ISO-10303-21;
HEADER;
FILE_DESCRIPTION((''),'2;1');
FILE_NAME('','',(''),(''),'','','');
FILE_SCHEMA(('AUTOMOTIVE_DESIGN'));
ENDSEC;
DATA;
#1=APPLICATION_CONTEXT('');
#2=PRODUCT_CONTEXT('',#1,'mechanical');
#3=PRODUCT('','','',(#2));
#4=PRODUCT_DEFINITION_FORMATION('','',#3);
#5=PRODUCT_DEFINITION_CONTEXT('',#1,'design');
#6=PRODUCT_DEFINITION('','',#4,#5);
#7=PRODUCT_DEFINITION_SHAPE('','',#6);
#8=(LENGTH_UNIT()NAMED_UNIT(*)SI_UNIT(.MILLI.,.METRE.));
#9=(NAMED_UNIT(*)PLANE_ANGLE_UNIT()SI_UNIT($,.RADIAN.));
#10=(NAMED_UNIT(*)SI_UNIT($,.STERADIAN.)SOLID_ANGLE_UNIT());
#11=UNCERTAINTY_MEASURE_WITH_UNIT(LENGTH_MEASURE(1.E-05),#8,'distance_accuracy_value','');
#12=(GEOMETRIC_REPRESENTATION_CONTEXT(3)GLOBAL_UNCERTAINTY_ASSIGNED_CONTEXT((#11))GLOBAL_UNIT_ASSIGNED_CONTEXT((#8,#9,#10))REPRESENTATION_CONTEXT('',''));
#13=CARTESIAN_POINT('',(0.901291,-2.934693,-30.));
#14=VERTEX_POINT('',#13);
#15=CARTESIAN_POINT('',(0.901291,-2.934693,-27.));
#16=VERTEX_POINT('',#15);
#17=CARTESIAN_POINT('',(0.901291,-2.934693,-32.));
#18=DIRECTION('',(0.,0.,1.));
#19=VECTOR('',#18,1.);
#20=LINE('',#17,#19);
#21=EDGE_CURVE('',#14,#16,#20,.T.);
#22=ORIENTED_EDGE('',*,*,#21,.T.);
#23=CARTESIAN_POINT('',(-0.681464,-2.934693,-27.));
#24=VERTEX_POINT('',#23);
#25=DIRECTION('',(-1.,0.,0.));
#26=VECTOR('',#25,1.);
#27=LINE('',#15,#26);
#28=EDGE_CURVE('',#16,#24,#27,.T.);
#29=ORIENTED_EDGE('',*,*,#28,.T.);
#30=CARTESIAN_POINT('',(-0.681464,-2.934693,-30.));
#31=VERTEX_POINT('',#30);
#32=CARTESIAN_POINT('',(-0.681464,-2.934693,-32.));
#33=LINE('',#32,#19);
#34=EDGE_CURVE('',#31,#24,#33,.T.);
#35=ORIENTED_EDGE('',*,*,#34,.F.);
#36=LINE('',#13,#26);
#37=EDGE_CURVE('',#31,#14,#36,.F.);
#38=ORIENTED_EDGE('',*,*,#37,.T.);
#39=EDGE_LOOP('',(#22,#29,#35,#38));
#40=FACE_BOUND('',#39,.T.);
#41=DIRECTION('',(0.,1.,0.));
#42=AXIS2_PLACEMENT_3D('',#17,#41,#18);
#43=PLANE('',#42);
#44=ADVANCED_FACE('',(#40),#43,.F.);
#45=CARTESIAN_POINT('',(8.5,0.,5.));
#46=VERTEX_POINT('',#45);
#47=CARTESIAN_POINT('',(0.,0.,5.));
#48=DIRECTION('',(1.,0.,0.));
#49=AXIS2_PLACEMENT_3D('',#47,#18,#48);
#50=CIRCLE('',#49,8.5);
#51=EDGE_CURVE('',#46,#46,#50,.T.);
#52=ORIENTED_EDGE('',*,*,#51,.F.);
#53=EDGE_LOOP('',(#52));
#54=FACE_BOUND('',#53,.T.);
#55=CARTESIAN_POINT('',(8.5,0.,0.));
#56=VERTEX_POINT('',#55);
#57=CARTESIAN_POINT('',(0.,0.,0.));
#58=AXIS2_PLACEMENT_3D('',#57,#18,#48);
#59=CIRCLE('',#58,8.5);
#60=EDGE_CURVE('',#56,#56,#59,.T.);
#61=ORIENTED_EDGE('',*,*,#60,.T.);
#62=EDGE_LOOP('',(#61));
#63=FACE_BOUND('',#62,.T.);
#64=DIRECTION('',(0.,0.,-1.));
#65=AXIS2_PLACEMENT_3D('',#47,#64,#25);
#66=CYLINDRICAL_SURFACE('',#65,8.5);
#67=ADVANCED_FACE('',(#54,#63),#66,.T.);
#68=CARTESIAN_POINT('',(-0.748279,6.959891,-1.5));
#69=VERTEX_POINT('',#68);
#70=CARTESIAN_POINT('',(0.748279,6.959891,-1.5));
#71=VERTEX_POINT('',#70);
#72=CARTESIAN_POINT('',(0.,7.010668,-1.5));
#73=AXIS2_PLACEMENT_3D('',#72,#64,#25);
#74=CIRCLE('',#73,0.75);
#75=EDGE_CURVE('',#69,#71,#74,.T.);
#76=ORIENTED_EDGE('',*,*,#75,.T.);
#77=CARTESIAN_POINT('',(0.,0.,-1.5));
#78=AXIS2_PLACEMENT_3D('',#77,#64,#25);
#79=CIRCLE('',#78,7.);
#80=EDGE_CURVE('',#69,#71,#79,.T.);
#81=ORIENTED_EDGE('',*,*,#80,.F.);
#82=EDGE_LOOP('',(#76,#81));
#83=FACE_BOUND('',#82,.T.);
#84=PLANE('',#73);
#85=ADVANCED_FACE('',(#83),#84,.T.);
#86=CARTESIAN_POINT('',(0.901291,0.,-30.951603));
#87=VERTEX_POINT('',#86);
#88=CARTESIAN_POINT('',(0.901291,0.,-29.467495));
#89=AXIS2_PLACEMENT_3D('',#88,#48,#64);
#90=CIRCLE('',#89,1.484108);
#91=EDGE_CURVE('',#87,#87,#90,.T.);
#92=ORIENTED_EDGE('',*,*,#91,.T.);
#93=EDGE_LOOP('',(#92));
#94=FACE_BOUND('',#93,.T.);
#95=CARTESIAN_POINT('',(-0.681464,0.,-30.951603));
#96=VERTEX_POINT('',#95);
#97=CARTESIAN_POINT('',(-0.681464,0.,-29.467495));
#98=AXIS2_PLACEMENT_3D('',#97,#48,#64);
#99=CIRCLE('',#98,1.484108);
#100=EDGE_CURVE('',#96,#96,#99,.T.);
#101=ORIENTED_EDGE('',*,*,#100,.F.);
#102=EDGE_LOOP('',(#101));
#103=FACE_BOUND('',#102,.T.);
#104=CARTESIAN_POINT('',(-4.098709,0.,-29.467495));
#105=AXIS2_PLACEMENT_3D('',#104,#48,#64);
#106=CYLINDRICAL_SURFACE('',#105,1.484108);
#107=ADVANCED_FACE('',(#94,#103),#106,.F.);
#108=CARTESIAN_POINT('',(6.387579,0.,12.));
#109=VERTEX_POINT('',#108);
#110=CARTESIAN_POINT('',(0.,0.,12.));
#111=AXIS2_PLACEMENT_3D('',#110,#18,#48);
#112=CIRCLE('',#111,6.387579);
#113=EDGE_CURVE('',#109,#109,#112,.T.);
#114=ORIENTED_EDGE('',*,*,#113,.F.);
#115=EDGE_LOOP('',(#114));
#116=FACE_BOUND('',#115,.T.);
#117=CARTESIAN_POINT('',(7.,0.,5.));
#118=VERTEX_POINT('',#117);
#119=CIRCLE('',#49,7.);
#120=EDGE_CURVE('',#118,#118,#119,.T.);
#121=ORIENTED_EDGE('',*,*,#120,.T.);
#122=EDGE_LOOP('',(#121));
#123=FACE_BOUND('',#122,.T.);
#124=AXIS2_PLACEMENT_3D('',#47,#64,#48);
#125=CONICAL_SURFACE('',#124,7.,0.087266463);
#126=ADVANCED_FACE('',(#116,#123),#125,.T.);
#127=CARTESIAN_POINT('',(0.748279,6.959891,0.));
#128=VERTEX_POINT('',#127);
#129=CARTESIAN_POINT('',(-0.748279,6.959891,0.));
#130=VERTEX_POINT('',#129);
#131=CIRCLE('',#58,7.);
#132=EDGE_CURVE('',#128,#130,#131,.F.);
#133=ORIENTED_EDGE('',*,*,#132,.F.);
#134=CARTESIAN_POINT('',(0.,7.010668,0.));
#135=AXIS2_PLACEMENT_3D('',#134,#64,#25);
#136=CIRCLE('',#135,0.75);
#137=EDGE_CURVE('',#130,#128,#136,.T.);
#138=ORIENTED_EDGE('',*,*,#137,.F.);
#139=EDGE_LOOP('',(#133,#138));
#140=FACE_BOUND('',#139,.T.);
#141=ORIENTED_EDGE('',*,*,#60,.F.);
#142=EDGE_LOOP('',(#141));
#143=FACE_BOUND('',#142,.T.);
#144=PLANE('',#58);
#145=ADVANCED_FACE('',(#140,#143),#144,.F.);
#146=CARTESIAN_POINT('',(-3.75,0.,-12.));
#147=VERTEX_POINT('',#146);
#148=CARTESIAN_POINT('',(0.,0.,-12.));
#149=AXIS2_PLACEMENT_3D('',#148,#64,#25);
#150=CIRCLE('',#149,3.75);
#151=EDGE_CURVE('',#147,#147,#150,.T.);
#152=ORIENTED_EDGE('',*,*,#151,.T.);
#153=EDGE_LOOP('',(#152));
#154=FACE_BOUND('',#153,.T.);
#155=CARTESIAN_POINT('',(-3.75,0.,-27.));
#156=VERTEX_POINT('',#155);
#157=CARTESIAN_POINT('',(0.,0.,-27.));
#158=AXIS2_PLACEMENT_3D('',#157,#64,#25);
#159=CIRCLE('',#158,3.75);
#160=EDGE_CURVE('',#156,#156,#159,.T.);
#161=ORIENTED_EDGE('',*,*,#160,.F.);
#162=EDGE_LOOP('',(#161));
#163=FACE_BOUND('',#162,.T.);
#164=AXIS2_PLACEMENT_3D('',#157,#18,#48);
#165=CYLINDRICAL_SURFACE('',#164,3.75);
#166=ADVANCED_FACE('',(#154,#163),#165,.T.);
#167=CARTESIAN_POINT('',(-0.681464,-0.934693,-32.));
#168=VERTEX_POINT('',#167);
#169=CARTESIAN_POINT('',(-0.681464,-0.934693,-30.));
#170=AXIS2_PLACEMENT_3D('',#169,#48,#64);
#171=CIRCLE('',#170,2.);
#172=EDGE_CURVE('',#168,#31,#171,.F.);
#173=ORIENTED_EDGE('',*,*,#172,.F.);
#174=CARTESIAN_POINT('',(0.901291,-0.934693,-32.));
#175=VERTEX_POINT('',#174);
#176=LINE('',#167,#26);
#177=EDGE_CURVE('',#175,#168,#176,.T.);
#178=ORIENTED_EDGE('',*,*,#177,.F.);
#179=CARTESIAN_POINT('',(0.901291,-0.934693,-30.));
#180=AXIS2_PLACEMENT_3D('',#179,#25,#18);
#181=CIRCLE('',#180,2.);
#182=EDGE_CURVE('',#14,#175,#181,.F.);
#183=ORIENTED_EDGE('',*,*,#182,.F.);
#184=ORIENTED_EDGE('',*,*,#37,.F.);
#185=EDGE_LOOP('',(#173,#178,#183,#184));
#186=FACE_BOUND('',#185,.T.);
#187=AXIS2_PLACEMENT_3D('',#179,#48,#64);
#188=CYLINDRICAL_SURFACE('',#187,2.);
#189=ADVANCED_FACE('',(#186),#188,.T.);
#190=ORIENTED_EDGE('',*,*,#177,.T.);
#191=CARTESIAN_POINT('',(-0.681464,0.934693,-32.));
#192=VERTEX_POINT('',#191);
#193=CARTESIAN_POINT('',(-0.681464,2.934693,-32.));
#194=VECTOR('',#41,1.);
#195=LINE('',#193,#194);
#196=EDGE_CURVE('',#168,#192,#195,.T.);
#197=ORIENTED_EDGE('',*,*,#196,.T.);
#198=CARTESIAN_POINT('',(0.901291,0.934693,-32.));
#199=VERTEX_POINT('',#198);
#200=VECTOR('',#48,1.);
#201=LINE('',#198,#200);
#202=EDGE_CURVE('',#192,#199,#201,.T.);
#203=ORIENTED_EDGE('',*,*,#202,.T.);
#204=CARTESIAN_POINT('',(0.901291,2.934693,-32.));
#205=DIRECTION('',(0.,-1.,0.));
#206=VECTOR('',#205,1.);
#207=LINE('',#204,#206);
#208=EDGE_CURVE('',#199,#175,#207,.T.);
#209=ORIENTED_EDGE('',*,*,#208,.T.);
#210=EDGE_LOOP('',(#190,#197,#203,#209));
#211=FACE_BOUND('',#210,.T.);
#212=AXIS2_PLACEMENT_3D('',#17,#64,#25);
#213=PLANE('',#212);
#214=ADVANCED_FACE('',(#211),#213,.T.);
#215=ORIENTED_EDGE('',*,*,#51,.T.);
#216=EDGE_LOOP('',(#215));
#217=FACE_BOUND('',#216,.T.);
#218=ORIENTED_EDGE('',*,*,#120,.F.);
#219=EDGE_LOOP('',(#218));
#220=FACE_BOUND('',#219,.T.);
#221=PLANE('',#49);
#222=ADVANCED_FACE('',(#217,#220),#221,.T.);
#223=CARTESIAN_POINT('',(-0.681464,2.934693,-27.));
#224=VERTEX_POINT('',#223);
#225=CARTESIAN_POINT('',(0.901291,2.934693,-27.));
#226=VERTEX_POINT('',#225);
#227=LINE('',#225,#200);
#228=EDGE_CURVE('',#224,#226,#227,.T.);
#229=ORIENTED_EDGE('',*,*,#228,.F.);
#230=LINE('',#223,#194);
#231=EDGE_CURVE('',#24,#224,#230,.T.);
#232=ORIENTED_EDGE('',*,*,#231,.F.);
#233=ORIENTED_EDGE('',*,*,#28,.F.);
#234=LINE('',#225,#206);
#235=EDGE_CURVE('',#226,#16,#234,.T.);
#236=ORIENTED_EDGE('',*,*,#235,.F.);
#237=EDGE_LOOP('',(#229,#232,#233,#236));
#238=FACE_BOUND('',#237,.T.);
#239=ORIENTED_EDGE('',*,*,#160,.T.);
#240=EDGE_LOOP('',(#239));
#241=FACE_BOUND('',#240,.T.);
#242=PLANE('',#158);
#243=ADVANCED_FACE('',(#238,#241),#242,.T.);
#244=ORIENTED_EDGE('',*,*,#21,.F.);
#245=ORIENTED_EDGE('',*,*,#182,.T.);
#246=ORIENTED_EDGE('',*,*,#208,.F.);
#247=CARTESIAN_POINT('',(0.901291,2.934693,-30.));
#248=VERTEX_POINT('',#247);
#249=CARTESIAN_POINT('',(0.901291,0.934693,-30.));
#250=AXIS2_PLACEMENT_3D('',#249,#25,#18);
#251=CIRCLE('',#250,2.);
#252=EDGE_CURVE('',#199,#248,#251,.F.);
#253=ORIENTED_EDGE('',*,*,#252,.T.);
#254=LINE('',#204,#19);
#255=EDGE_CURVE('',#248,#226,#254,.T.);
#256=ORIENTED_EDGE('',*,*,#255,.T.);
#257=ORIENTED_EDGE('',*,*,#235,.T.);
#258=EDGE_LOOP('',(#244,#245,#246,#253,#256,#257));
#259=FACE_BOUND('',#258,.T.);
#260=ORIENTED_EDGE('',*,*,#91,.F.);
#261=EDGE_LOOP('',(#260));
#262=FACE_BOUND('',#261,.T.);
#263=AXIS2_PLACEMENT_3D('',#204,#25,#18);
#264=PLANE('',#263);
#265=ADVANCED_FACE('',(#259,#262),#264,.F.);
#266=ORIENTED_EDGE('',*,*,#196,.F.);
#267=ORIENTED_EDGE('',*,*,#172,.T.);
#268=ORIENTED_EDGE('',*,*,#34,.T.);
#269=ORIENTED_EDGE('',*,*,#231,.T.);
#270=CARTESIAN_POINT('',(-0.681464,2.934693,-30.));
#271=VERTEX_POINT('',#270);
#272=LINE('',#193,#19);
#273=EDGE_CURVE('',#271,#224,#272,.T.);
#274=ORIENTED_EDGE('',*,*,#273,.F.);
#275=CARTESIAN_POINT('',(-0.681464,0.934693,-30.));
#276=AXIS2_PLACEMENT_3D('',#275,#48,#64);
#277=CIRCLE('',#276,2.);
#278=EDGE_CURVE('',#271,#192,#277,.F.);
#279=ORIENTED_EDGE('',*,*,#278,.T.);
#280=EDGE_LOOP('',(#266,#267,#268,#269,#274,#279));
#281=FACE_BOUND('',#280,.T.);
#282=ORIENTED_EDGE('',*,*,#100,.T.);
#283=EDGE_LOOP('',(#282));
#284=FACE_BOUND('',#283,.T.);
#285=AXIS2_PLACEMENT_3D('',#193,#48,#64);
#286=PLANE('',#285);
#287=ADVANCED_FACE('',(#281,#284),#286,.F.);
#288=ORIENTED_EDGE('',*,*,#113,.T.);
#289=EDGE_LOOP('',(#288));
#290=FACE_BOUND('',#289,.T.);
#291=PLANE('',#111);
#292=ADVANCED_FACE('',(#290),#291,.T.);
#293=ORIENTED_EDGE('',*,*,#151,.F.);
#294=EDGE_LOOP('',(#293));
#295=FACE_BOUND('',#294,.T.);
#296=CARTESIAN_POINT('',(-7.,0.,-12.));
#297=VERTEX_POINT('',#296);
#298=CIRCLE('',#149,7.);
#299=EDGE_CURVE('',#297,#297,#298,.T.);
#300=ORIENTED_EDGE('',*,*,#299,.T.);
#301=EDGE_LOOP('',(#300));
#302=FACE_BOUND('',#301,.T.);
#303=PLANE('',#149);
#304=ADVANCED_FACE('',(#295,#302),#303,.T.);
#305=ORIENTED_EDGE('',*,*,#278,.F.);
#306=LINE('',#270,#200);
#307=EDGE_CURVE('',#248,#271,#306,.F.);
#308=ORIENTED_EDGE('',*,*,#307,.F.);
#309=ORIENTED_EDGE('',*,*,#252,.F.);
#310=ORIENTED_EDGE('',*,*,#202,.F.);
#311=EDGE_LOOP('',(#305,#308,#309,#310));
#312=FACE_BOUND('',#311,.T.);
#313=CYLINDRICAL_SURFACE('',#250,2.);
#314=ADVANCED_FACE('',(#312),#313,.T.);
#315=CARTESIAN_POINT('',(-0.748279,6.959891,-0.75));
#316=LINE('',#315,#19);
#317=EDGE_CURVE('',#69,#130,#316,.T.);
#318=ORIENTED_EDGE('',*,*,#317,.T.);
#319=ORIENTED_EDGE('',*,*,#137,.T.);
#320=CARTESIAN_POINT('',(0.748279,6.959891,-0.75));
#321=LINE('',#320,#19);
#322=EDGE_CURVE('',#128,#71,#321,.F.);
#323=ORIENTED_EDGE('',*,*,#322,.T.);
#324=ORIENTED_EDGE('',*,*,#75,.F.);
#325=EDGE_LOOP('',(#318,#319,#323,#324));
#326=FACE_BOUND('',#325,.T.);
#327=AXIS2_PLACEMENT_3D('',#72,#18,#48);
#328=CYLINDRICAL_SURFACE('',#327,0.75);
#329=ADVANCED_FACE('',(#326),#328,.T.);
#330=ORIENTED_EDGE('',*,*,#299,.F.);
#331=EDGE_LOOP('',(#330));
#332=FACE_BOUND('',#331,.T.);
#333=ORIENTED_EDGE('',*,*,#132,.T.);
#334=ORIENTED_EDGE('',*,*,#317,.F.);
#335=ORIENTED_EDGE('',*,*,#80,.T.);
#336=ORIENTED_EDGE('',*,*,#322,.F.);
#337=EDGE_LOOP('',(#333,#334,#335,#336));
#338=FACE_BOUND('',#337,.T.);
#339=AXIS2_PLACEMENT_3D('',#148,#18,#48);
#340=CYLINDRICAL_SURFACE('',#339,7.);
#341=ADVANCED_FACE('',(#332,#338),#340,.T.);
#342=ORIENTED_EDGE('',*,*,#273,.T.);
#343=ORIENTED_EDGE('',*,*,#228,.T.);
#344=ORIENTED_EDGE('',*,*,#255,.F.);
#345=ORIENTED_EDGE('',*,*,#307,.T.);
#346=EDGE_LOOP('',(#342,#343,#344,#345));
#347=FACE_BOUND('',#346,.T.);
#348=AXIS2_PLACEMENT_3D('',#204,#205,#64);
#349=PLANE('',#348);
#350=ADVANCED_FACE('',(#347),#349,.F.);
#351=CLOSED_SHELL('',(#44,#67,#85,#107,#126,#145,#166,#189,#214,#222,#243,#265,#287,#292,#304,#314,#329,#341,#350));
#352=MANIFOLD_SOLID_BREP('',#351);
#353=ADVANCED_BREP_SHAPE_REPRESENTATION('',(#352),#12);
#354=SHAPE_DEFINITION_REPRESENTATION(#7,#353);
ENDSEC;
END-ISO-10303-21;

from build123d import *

# Parameters (mm, degrees)
SKETCH_1_R          = 8.5
EXTRUDE_1_DEPTH     = 5
SKETCH_2_R          = 7
EXTRUDE_2_DEPTH     = 7
EXTRUDE_2_TAPER     = 5
SKETCH_3_R          = 7
EXTRUDE_3_DEPTH     = 12
SKETCH_4_R          = 3.75
EXTRUDE_4_DEPTH     = 15
SKETCH_5_W          = 1.582755529
SKETCH_5_H          = 5.869385088
EXTRUDE_5_DEPTH     = 5
SKETCH_6_R          = 1.484108277
CUT_EXTRUDE_1_DEPTH = 5
FILLET_1_R          = 2
SKETCH_7_R          = 0.75
EXTRUDE_6_DEPTH     = 1.5


with BuildPart() as part:
    # Эскиз1 → Бобышка-Вытянуть1 (new body)
    with BuildSketch(Plane.XY):
        Circle(SKETCH_1_R)
    extrude(amount=EXTRUDE_1_DEPTH)

    # Эскиз2 → Бобышка-Вытянуть2 (add)
    with BuildSketch(Plane.XY.offset(5)):
        Circle(SKETCH_2_R)
    extrude(amount=EXTRUDE_2_DEPTH, taper=EXTRUDE_2_TAPER)

    # Эскиз3 → Бобышка-Вытянуть3 (add)
    with BuildSketch(Plane(origin=(0, 0, 0), x_dir=(-1, 0, 0), z_dir=(0, 0, -1))):
        with Locations(Location((0, 0, 0), (0, 0, 180))):
            Circle(SKETCH_3_R)
    extrude(amount=EXTRUDE_3_DEPTH)

    # Эскиз4 → Бобышка-Вытянуть4 (add)
    with BuildSketch(Plane(origin=(0, 0, -12), x_dir=(-1, 0, 0), z_dir=(0, 0, -1))):
        Circle(SKETCH_4_R)
    extrude(amount=EXTRUDE_4_DEPTH)

    # Эскиз5 → Бобышка-Вытянуть5 (add)
    with BuildSketch(Plane(origin=(0, 0, -27), x_dir=(-1, 0, 0), z_dir=(0, 0, -1))):
        with Locations((-0.109913578, 0)):
            Rectangle(SKETCH_5_W, SKETCH_5_H)
    extrude(amount=EXTRUDE_5_DEPTH)

    # Эскиз6 → Вырез-Вытянуть1 (cut)
    with BuildSketch(Plane(origin=(0.901291343, 0, 0), x_dir=(0, 0, -1), z_dir=(1, 0, 0))):
        with Locations((29.467495163, 0)):
            Circle(SKETCH_6_R)
    extrude(amount=-CUT_EXTRUDE_1_DEPTH, mode=Mode.SUBTRACT)

    # Скругление1
    fillet_1_edges = [part.edges().sort_by_distance(p)[0] for p in [
        (0.109913578, -2.934692544, -32),
        (0.109913578, 2.934692544, -32),
    ]]
    fillet(fillet_1_edges, radius=FILLET_1_R)

    # Эскиз7 → Бобышка-Вытянуть6 (add)
    with BuildSketch(Plane(origin=(0, 0, 0), x_dir=(-1, 0, 0), z_dir=(0, 0, -1))):
        with Locations((0, 7.010668314)):
            Circle(SKETCH_7_R)
    extrude(amount=EXTRUDE_6_DEPTH)


solid = part.part
